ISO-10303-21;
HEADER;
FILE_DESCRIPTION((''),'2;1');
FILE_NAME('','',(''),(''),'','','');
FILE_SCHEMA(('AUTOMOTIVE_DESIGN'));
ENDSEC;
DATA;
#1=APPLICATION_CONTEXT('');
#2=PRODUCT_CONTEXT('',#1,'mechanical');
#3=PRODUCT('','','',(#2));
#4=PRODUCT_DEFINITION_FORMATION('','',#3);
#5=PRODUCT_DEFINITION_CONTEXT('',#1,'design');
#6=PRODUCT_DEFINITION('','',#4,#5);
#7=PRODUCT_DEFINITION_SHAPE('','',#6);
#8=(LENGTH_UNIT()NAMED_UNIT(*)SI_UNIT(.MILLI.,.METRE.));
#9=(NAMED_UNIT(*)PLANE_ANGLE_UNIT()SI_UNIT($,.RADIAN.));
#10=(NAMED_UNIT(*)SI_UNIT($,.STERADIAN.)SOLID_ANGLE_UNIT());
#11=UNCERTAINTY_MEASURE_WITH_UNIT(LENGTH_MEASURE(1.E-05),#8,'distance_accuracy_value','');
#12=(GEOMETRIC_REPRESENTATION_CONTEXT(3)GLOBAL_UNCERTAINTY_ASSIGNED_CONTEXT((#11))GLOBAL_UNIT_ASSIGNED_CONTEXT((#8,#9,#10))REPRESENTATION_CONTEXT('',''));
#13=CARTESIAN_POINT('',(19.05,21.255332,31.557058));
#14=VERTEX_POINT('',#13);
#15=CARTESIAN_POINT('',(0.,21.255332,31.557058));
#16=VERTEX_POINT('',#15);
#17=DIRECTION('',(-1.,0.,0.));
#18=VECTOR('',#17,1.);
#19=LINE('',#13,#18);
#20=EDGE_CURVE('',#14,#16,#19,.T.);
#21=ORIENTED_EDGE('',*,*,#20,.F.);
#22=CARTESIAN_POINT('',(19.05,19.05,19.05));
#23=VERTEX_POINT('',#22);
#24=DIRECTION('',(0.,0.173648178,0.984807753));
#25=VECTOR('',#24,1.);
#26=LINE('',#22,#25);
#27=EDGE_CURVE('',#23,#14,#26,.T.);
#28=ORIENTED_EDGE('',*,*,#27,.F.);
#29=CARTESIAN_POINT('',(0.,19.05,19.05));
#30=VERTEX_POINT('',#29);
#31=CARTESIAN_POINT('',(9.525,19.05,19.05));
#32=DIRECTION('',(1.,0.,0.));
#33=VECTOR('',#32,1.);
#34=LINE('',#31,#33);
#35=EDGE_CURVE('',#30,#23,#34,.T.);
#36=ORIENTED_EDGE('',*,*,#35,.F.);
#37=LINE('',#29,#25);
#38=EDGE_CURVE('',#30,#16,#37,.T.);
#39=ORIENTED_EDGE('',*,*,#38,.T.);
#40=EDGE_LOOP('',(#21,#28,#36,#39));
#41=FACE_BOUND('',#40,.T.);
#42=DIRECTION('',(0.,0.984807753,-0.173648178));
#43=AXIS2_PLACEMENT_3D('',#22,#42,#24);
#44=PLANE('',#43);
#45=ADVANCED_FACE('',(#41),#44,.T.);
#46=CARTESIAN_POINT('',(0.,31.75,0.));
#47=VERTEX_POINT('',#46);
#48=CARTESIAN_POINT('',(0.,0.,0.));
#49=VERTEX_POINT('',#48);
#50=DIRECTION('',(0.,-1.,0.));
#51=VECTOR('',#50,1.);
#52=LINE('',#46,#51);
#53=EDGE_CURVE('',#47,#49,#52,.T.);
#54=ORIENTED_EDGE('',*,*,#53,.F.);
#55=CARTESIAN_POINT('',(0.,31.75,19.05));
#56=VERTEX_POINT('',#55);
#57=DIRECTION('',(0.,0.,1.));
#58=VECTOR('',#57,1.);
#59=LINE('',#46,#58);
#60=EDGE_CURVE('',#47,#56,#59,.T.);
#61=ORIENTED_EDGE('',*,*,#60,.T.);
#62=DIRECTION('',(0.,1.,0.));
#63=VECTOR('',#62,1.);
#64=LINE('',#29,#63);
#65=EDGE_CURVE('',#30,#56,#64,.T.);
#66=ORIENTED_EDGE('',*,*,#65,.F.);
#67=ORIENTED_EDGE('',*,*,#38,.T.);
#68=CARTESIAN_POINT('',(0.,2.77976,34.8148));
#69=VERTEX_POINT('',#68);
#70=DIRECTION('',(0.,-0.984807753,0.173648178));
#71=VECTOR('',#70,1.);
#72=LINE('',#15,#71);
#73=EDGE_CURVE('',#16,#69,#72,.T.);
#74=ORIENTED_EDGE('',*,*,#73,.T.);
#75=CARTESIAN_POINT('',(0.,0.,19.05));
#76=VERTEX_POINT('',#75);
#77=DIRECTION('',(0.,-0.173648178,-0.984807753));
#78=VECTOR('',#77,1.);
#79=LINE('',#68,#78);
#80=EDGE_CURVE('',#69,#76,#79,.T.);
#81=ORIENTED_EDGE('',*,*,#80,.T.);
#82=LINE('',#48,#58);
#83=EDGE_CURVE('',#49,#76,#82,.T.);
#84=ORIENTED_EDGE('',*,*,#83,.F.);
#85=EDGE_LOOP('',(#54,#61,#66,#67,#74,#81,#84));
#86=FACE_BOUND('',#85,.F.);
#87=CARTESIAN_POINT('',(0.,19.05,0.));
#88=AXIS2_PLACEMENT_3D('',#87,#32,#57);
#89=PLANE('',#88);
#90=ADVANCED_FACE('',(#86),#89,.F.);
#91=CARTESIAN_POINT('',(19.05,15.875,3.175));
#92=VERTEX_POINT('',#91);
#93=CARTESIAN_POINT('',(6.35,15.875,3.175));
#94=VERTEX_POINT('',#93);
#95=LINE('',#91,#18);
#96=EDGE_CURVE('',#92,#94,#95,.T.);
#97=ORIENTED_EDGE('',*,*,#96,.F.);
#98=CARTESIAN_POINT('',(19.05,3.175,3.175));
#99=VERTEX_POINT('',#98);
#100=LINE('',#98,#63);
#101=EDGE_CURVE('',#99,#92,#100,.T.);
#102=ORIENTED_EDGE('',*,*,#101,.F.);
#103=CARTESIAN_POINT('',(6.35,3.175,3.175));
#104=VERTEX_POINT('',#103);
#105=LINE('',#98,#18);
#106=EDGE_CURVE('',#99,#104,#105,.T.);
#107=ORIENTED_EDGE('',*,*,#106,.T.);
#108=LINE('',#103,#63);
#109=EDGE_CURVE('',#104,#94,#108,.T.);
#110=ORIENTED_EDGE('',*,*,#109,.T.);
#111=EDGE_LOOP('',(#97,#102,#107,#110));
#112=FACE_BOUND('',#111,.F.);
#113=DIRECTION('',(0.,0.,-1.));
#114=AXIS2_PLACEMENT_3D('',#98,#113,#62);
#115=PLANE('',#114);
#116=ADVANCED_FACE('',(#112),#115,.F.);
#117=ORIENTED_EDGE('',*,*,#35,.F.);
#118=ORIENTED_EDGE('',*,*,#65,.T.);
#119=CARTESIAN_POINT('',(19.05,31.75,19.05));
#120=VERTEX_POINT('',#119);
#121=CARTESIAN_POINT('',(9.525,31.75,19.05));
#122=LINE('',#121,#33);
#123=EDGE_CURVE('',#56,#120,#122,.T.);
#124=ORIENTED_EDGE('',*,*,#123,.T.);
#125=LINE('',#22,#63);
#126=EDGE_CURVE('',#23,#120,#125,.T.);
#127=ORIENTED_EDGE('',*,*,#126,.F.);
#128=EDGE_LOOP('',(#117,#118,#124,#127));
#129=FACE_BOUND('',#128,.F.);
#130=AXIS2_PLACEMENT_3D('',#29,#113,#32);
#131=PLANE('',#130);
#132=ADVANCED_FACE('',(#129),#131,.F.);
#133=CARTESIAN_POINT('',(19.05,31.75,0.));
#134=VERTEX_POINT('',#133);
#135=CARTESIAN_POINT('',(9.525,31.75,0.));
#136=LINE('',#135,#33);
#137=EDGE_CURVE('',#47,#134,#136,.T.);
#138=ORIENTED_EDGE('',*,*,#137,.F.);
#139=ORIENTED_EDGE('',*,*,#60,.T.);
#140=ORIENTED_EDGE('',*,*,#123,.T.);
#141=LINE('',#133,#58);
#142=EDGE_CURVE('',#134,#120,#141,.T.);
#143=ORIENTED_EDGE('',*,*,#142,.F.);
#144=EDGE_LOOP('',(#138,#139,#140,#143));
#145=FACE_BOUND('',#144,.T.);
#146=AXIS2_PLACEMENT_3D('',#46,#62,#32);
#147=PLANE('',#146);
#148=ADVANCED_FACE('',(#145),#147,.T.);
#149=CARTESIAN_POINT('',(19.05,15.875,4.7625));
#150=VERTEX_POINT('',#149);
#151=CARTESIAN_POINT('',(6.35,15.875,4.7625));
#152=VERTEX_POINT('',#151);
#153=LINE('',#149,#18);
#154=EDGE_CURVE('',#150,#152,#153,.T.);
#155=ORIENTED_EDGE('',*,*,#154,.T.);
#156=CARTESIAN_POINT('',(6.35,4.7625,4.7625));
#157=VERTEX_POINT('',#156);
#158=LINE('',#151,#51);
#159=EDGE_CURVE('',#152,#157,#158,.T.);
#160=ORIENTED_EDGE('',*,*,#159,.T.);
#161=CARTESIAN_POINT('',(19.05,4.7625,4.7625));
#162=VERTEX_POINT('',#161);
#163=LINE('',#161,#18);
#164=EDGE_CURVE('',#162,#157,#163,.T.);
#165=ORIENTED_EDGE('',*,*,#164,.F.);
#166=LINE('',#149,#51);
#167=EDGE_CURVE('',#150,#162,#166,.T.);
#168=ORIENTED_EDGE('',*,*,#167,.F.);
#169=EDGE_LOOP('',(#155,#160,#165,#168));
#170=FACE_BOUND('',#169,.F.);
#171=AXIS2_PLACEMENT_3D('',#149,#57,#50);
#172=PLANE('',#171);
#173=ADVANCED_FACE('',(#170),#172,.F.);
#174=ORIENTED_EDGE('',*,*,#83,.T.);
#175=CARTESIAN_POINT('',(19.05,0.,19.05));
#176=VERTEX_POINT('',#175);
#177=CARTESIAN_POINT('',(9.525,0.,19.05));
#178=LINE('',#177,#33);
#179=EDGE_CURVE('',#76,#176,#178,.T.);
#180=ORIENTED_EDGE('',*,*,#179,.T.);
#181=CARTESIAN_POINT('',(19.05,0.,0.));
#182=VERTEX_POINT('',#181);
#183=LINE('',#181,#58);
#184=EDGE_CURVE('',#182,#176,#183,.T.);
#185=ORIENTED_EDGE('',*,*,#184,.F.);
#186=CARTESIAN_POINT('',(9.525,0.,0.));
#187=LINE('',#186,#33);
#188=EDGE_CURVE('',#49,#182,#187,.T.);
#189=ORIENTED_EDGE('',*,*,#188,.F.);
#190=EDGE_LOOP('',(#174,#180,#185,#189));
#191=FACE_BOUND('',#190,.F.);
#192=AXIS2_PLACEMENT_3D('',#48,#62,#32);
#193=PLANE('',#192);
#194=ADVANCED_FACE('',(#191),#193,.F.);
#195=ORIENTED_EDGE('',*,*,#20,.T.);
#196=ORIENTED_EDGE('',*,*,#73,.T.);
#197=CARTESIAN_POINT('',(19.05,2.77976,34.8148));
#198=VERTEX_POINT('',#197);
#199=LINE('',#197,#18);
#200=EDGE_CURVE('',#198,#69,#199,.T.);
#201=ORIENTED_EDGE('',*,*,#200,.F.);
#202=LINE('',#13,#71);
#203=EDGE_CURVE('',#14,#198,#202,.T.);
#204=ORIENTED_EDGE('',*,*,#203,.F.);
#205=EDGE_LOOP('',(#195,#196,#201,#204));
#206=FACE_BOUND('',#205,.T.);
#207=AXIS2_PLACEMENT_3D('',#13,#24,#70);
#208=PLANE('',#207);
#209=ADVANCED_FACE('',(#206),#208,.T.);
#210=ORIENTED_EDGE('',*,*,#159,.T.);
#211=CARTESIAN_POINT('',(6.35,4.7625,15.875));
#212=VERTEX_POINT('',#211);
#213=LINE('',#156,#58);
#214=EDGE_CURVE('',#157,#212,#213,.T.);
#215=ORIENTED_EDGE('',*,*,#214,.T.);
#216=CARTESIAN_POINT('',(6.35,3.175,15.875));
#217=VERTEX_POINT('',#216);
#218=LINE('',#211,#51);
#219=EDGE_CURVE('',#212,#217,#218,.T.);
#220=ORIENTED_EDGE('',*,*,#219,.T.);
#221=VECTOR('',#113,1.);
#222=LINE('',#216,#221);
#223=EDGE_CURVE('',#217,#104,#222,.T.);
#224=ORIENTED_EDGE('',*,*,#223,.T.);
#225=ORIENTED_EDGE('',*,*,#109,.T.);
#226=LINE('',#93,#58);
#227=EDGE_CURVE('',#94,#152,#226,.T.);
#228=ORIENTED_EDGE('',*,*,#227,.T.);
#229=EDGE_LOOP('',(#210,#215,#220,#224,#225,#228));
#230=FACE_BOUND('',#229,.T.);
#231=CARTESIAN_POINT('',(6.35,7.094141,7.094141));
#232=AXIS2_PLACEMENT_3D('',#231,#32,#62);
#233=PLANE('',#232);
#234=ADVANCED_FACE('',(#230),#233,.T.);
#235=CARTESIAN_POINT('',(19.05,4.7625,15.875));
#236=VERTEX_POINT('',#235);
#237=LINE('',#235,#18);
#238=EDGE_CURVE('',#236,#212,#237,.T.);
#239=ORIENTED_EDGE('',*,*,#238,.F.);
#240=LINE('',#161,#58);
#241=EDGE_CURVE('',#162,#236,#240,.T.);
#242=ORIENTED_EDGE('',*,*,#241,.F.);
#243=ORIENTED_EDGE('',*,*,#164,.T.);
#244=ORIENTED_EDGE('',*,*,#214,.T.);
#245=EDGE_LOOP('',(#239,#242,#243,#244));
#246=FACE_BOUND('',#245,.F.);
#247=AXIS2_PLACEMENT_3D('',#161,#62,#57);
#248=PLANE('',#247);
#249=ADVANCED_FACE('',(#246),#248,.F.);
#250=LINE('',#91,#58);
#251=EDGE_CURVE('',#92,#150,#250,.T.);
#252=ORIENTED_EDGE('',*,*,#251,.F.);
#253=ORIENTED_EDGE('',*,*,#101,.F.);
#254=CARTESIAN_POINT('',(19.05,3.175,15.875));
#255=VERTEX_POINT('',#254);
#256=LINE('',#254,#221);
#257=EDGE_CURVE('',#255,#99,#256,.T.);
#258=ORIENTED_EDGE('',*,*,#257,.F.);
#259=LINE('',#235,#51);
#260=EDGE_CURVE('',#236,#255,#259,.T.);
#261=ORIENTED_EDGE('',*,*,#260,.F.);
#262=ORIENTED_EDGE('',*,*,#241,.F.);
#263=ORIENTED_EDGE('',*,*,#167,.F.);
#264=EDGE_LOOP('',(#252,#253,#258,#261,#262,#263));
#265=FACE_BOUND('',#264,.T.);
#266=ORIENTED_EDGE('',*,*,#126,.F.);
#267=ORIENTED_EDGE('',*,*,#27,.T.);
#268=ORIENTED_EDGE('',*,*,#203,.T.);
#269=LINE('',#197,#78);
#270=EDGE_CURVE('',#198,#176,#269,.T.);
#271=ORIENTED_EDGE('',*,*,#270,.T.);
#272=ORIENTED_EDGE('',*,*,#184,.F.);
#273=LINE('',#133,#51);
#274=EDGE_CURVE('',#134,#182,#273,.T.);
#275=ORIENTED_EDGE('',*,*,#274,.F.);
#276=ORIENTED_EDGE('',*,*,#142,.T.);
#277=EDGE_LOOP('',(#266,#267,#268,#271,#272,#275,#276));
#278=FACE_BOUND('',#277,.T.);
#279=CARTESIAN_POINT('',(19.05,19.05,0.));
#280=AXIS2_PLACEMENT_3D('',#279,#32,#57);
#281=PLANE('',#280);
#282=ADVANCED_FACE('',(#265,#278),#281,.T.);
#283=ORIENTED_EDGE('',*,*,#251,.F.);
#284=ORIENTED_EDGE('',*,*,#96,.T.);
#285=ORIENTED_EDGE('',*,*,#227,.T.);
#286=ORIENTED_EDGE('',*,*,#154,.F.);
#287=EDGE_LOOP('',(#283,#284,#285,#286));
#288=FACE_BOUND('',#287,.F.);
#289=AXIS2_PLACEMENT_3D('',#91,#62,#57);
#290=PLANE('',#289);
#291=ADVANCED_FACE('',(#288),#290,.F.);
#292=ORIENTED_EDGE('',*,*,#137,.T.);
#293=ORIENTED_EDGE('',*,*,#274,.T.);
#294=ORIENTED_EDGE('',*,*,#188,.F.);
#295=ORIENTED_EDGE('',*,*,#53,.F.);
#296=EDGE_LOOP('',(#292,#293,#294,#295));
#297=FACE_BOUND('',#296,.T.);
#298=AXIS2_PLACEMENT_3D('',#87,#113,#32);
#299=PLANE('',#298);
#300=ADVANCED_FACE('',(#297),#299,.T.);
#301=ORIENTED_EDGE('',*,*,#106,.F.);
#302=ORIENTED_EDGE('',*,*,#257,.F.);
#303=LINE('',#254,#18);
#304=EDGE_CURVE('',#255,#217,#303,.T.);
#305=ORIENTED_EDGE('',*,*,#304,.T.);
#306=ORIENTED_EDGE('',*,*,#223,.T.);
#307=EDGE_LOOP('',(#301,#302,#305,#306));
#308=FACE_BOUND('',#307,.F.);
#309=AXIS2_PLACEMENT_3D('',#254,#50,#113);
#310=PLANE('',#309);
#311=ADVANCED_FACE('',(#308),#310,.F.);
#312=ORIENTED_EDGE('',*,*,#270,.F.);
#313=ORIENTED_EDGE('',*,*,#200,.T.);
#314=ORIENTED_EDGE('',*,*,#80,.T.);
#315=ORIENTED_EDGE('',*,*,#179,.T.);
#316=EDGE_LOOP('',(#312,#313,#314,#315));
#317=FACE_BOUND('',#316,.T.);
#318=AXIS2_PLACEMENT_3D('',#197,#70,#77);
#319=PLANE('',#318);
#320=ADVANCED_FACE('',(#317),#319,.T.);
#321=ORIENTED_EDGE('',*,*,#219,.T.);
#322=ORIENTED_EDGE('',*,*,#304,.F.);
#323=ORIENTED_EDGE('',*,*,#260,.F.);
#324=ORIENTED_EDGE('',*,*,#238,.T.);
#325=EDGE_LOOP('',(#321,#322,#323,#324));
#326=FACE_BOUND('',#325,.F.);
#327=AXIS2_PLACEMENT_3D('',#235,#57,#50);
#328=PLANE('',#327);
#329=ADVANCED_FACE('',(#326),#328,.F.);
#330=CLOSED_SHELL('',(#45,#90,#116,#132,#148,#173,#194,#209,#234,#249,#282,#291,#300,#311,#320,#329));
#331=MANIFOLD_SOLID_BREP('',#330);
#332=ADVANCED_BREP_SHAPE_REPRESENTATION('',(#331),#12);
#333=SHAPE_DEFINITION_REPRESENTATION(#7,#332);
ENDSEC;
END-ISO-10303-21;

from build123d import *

# Parameters (mm, degrees)
F0_W     = 19.05
F0_H     = 19.05
F1_DEPTH = 19.05
F3_DEPTH = 12.7
F5_DEPTH = 19.05
F6_DEPTH = 12.7


with BuildPart() as f1:
    # F0 (on Top) → F1 (new body)
    with BuildSketch(Plane.XY):
        with Locations((9.525, 9.525)):
            Rectangle(F0_W, F0_H)
    extrude(amount=F1_DEPTH)

    # F2 (on face) → F3 (cut)
    with BuildSketch(Plane.YZ.offset(19.05)):
        Polygon((4.7625, 15.875), (3.175, 15.875), (3.175, 3.175), (15.875, 3.175), (15.875, 4.7625), (4.7625, 4.7625), align=None)
    extrude(amount=-F3_DEPTH, mode=Mode.SUBTRACT)

    # F4 (on face) → F5 (join)
    with BuildSketch(Plane.YZ.offset(19.05)):
        Polygon((2.7797596434, 34.8148003284), (0, 19.05), (19.05, 19.05), (21.2553318564, 31.5570584633), align=None)
    extrude(amount=-F5_DEPTH)

    # F6 (add): a face of the model
    f6_faces = [f1.faces().sort_by_distance(p)[0] for p in [
        (9.525, 19.05, 9.525),
    ]]
    extrude(f6_faces, amount=F6_DEPTH)


solid = f1.part
